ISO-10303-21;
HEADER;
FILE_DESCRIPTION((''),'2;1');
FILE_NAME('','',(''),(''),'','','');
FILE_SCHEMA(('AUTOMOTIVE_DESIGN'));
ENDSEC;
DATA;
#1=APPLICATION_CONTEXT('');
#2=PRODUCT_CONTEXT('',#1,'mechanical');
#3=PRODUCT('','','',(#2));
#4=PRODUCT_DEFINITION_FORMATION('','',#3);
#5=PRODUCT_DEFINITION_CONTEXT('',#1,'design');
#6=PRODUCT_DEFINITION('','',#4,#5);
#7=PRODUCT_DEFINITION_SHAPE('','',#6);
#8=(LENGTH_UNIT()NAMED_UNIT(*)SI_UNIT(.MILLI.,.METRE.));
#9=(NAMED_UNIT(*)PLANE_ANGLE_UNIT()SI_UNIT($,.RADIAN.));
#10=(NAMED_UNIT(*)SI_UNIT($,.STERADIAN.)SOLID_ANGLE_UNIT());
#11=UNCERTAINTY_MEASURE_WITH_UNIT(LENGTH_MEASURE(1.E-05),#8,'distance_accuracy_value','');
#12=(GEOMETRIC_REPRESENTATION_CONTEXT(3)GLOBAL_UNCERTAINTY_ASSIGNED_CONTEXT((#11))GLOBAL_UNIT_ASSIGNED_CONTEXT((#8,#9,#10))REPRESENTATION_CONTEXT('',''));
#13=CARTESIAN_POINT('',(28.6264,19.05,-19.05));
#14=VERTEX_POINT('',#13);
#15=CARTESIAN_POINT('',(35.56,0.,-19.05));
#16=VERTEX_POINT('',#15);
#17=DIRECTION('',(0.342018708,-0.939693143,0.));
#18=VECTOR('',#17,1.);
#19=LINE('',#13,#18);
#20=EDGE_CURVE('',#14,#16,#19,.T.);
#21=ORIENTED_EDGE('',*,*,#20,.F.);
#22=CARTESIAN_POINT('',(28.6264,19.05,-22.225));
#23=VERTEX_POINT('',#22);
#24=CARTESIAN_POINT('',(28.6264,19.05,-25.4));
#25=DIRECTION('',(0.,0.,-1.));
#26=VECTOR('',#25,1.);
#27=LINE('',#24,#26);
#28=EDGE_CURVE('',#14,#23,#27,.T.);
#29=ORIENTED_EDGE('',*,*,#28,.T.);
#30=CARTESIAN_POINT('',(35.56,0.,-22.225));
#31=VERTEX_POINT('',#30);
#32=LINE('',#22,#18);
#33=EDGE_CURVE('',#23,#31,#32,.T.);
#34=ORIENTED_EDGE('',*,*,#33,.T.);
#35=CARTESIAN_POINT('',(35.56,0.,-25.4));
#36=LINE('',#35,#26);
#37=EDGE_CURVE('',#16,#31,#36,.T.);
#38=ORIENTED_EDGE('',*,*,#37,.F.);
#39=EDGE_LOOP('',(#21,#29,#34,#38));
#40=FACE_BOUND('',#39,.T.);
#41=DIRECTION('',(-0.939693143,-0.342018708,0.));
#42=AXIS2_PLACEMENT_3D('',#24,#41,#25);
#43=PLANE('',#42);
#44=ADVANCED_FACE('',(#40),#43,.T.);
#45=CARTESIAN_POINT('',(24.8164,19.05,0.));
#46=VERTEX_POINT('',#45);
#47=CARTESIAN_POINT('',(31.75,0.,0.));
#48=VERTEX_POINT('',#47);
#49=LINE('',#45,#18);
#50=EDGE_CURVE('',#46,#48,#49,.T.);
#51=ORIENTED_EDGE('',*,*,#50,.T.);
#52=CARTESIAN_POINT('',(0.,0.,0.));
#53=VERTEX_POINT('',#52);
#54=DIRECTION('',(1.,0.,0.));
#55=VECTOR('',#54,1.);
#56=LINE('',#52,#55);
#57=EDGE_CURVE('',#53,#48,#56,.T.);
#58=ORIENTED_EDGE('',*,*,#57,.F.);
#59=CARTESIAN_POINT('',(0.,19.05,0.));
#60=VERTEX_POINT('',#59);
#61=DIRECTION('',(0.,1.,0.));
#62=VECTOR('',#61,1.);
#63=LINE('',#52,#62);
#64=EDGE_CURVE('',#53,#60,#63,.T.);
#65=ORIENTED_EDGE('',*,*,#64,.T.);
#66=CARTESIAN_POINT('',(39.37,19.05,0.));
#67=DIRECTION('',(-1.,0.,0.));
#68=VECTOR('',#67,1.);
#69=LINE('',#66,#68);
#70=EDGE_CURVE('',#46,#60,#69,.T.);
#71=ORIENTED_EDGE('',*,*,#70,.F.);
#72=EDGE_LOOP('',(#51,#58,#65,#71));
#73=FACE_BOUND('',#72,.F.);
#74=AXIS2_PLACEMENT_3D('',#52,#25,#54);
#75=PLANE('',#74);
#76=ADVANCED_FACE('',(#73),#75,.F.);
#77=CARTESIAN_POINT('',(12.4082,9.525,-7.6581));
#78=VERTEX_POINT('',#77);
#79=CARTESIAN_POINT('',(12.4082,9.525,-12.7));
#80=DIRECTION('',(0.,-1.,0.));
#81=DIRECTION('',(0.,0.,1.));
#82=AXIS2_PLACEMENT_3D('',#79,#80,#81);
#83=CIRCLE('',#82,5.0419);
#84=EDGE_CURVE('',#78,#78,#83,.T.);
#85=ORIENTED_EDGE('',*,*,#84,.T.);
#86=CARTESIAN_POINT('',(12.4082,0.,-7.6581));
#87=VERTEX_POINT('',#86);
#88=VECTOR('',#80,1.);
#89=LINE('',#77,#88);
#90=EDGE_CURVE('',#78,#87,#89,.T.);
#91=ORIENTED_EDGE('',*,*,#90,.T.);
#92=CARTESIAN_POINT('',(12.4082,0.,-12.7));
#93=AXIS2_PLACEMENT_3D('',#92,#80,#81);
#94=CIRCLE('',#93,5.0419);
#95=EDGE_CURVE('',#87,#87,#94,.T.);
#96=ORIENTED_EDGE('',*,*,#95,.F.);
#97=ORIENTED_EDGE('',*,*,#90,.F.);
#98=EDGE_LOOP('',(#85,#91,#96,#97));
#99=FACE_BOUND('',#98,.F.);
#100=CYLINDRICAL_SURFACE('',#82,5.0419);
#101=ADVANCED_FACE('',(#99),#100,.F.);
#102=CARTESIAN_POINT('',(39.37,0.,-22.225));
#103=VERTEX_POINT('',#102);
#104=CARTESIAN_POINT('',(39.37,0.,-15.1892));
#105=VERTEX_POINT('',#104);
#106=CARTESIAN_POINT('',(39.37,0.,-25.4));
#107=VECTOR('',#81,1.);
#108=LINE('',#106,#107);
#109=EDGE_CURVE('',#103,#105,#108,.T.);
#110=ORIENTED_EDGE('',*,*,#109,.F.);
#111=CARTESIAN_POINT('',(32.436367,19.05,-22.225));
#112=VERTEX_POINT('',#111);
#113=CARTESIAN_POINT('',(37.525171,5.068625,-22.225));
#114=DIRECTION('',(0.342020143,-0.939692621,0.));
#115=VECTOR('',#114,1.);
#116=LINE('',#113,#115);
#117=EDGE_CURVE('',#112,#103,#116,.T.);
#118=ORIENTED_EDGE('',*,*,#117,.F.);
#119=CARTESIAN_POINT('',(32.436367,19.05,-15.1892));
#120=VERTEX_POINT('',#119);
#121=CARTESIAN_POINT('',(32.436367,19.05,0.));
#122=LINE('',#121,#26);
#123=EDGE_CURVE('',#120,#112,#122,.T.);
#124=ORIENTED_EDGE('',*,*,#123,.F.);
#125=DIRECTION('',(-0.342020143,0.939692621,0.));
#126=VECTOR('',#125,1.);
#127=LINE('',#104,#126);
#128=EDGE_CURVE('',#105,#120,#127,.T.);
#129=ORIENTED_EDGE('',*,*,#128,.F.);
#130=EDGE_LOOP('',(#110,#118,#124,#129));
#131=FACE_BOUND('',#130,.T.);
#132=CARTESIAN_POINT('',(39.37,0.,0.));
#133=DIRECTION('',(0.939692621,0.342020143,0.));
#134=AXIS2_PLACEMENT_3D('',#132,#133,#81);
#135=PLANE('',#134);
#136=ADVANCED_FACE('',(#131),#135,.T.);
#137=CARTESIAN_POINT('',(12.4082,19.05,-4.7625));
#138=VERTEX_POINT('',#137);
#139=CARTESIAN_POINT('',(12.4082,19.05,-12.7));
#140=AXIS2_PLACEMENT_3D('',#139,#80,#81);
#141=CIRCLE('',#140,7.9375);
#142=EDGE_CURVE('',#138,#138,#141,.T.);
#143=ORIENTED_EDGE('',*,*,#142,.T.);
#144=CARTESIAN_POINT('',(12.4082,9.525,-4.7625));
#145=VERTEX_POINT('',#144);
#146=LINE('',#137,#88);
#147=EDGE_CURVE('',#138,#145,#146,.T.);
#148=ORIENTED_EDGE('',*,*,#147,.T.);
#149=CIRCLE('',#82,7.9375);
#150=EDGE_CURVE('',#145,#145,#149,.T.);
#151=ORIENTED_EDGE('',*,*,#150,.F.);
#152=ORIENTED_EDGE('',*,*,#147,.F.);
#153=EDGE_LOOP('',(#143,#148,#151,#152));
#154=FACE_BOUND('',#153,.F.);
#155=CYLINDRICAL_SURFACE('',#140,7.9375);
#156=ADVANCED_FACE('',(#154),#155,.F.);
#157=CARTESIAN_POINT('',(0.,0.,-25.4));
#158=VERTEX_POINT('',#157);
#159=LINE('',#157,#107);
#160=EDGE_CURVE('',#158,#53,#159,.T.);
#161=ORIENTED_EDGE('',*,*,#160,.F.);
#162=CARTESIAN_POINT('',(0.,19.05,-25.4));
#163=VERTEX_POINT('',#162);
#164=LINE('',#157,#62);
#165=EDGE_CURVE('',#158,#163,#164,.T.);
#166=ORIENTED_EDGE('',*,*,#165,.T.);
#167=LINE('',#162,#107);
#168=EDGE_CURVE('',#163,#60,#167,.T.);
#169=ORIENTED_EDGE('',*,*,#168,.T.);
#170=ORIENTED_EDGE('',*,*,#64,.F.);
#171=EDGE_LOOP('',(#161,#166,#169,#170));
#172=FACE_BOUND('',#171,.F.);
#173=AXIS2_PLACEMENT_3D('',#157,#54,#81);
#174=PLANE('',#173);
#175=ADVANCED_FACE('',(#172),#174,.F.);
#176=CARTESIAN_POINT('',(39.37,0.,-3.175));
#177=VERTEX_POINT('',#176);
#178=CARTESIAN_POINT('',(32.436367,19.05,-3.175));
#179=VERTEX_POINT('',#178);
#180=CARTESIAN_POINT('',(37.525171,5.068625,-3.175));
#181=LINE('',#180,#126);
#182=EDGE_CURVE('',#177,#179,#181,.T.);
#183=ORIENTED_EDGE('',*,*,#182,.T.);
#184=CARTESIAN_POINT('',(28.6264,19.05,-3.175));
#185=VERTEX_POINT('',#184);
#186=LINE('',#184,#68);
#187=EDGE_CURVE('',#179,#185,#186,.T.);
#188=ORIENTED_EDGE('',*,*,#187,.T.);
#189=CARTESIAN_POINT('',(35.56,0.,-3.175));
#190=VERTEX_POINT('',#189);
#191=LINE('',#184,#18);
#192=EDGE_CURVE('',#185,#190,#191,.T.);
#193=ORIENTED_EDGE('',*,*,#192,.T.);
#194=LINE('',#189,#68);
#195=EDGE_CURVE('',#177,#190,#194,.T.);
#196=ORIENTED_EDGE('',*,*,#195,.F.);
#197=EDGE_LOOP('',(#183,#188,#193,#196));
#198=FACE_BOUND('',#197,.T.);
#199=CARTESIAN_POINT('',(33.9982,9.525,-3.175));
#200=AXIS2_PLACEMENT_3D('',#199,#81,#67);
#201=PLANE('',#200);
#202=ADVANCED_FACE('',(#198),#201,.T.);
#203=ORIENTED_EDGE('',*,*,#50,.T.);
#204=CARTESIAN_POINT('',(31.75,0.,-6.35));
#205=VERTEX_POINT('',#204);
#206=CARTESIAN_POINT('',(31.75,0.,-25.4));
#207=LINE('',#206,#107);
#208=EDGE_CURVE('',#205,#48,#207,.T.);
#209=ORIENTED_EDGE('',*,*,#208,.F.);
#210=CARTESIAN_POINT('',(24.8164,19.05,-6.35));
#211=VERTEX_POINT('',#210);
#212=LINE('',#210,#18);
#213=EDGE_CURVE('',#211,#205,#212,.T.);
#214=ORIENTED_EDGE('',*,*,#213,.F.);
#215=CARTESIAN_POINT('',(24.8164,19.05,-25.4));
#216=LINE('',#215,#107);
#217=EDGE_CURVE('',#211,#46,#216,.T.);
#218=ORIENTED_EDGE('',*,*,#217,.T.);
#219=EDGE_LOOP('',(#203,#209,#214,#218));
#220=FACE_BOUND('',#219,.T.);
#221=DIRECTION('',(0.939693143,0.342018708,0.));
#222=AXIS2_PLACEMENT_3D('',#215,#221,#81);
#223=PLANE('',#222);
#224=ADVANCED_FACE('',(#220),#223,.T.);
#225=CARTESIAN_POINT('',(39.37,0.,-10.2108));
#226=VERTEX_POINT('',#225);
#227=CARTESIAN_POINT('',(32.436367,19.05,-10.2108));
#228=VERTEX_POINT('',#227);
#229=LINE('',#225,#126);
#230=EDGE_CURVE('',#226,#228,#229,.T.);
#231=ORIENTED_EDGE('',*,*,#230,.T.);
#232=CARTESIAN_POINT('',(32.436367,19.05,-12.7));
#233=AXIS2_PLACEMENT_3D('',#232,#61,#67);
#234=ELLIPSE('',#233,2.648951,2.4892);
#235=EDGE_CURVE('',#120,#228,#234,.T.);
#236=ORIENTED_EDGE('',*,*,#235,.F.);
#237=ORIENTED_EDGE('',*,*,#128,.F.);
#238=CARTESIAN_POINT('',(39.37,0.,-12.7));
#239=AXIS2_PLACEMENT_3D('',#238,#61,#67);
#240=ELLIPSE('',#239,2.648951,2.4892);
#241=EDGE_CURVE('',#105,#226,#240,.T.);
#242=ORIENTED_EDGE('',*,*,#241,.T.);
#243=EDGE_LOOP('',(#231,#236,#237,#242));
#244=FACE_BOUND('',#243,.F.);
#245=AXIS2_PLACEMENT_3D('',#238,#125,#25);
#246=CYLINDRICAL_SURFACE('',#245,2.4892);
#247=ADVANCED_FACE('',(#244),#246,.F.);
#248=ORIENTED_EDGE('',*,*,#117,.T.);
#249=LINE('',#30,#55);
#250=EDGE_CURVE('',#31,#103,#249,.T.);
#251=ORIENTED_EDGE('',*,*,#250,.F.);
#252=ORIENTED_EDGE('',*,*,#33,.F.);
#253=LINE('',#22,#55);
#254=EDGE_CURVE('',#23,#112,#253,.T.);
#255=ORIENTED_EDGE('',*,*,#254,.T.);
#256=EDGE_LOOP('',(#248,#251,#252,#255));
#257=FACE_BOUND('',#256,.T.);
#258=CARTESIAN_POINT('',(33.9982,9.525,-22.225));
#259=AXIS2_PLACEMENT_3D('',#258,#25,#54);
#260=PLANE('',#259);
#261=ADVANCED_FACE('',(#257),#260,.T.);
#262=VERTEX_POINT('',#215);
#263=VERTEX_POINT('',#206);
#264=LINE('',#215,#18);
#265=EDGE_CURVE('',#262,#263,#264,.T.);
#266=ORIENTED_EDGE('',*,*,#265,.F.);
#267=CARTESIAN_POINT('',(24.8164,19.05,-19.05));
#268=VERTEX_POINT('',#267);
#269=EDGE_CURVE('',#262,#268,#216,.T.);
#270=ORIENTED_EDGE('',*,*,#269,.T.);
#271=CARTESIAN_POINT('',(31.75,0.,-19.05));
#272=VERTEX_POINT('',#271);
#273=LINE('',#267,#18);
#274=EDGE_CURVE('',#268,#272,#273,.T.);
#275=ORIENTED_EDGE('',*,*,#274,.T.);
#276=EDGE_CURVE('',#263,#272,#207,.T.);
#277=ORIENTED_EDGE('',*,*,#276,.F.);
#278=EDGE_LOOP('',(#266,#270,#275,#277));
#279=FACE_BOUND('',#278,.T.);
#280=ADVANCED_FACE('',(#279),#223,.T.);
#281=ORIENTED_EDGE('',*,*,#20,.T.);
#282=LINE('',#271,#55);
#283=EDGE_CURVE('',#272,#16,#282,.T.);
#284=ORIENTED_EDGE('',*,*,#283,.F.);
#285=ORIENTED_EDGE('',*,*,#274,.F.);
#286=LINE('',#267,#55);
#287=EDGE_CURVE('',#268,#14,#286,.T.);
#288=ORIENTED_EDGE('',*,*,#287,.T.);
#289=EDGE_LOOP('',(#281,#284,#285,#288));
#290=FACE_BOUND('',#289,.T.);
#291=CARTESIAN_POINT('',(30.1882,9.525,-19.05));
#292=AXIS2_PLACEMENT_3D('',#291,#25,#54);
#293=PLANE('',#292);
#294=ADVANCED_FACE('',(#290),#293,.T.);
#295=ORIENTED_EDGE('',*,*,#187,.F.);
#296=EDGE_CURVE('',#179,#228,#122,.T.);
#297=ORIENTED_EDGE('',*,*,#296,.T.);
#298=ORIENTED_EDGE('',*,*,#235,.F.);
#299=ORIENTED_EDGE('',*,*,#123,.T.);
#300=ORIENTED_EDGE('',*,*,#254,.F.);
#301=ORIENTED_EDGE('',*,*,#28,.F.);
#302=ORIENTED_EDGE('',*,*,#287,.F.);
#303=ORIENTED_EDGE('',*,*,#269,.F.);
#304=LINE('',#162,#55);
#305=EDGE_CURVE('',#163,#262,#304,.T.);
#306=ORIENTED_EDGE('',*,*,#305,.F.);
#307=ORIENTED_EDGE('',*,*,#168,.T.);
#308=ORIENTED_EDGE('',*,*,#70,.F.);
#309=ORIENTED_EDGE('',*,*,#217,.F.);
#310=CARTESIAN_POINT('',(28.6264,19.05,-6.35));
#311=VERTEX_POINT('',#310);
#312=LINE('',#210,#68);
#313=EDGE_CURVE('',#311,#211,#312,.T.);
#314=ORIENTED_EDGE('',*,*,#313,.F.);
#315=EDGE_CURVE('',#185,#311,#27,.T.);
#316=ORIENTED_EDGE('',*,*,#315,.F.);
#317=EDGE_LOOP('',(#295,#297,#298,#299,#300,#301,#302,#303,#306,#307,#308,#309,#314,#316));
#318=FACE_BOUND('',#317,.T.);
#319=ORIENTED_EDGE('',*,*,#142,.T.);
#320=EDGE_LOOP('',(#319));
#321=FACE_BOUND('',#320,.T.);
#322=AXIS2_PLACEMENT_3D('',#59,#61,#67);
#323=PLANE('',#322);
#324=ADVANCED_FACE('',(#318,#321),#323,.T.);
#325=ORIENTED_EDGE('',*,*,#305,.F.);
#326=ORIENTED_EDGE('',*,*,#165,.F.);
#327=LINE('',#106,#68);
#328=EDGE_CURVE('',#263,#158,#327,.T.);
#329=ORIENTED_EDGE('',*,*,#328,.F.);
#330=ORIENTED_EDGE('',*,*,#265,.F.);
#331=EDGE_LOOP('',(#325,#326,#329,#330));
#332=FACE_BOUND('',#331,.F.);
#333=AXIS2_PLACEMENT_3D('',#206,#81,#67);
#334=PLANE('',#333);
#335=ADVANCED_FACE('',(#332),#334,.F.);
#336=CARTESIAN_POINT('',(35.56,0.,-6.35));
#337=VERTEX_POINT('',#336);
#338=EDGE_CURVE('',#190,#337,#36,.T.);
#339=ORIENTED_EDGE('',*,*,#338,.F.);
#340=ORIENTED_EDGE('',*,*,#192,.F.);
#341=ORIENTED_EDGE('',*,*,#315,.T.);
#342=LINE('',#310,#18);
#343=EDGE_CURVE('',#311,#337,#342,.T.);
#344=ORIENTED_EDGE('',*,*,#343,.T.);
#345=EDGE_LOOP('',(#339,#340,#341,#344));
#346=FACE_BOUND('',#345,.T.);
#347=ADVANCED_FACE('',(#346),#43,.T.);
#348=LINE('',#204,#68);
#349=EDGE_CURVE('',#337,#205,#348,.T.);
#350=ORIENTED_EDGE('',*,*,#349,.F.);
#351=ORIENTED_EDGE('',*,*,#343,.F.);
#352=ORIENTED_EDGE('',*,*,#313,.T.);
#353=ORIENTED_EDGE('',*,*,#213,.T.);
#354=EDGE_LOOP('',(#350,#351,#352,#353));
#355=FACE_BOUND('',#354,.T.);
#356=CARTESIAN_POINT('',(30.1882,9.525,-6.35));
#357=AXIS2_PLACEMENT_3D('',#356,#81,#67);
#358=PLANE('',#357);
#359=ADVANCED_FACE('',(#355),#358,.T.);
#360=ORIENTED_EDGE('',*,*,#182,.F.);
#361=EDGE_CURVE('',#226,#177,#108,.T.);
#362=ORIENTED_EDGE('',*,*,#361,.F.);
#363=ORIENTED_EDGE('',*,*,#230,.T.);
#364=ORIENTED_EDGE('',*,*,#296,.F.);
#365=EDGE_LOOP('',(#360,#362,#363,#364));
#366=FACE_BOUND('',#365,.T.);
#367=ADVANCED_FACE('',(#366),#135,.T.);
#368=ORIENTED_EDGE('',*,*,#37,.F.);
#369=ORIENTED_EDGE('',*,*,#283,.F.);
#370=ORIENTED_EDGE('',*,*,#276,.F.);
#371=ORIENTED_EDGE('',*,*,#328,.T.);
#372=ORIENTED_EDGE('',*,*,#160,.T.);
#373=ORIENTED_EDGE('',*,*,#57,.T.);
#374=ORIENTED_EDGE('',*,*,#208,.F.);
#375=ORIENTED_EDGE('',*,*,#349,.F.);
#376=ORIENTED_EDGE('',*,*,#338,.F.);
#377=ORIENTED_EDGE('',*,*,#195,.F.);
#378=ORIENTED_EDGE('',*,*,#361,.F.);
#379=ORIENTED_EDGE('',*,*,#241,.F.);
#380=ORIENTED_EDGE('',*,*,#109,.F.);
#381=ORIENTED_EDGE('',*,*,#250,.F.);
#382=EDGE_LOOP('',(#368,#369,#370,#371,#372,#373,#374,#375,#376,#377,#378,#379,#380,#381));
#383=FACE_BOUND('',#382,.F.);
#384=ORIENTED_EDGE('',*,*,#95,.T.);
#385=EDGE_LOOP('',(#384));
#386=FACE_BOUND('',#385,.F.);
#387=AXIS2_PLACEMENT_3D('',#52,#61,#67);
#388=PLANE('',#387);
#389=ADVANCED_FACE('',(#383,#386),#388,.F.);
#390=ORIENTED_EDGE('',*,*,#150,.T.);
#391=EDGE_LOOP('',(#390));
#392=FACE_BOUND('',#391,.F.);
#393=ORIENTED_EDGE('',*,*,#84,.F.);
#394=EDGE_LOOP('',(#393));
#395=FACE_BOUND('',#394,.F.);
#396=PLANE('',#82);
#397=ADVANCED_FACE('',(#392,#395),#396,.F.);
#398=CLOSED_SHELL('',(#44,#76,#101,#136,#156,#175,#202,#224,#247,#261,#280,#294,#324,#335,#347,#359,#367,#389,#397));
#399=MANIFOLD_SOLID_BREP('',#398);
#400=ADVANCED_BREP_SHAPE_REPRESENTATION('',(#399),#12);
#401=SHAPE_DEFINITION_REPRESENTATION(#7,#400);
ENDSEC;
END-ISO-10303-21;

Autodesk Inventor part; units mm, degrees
ref_plane "YZ Plane" through (0, 0, 0) normal (1, 0, 0) x (0, 1, 0)
ref_plane "XZ Plane" through (0, 0, 0) normal (0, 1, 0) x (-1, 0, 0)
sketch "Sketch1" plane through (0, 0, 0) normal (0, 1, 0) x (-1, 0, 0)
  line L0 (0, 0) -> (-39.37, 0)
  line L1 (-39.37, 0) -> (-39.37, -25.4)
  line L2 (-39.37, -25.4) -> (0, -25.4)
  line L3 (0, -25.4) -> (0, 0)
  line L4 (-35.56, -25.4) -> (-35.56, 0)
  line L5 (0, -12.7) -> (-39.37, -12.7) construction
  line L6 (-31.75, -25.4) -> (-31.75, 0)
  line L7 (-31.75, -19.05) -> (-35.56, -19.05)
  line L8 (-31.75, -6.35) -> (-35.56, -6.35)
  line L9 (-35.56, -22.225) -> (-39.37, -22.225)
  line L10 (-35.56, -3.175) -> (-39.37, -3.175)
  point P0 (-35.56, -6.35)
  point P1 (-39.37, -3.175)
  dimension "d7" = 25.4
  dimension "d10" = 3.81
  dimension "d34" = 3.81
  dimension "d35" = 12.7
  dimension "d36" = 19.05
  dimension "d37" = 31.75
extrude "Extrusion1" add sketch "Sketch1" along normal blind 19.05
sketch "Sketch3" plane through (0, 0, 0) normal (0, 0, 1) x (1, 0, 0)
  line L0 (0, 0) -> (39.37, 0) projected
  line L1 (39.37, 0) -> (39.37, 19.05) projected
  line L2 (0, 19.05) -> (39.37, 19.05) projected
  line L3 (0, 0) -> (0, 19.05) projected
  line L4 (24.8164, 19.05) -> (31.75, 0)
  dimension "d14" = 70
  dimension "d15" = 31.75
sweep "Sweep1" cut profiles "Sketch1" path "Sketch3" path curves L4 contours L6 L8 L4 L0 | L4 L10 L1 L0 | L2 L4 L7 L6 | L2 L1 L9 L4
ref_plane "Work Plane3" through (39.37, 0, 0) normal (-0.342, 0.9397, 0) x (0, 0, -1)
ref_plane "Work Plane2" through (39.37, 0, 0) normal (-0.9397, -0.342, 0) x (0, 0, -1)
sketch "Sketch5" plane through (39.37, 0, 0) normal (-0.342, 0.9397, 0) x (0, 0, -1)
  point P0 (12.7, 0)
hole "Hole2" at (39.37, 0, -12.7) direction (-0.342, 0.9397, 0) diameter 4.9784 end through all
split "Split1" plane through (39.37, 0, 0) removes the side toward (0.9397, 0.342, 0)
sketch "Sketch4" plane through (0, 19.05, 0) normal (0, 1, 0) x (1, 0, 0)
  line L0 (32.4364, 15.1892) -> (32.4364, 22.225) projected
  line L1 (32.4364, 22.225) -> (28.6264, 22.225) projected
  line L2 (28.6264, 22.225) -> (28.6264, 19.05) projected
  line L3 (28.6264, 19.05) -> (24.8164, 19.05) projected
  line L4 (24.8164, 19.05) -> (24.8164, 25.4) projected
  line L5 (24.8164, 25.4) -> (0, 25.4) projected
  line L6 (0, 25.4) -> (0, 0) projected
  line L7 (0, 0) -> (24.8164, 0) projected
  line L8 (24.8164, 0) -> (24.8164, 6.35) projected
  line L9 (24.8164, 6.35) -> (28.6264, 6.35) projected
  line L10 (28.6264, 6.35) -> (28.6264, 3.175) projected
  line L11 (28.6264, 3.175) -> (32.4364, 3.175) projected
  line L12 (32.4364, 3.175) -> (32.4364, 10.2108) projected
  ellipse E0 centre (32.4364, 12.7) end of major axis (29.7874, 12.7) minor radius 2.4892 (32.4364, 15.1892) -> (32.4364, 10.2108) ccw projected
  point P0 (12.4082, 12.7)
  point P1 (0, 12.7)
  point P2 (12.4082, 25.4)
hole "Hole1" at (12.4082, 19.05, -12.7) direction (0, -1, 0) diameter 10.0838 end through all counterbore diameter 15.875 counterbore depth 9.525
equation "\"d10\" = d34"
equation "\"d34\" = slotWidth"
equation "\"d14\" = slopeAngle"
equation "\"d18\" = slopeAngle"
equation "\"slopeAngle\" = 70deg"
equation "\"slotWidth\" = 3.81"
properties material "Steel, Alloy"
